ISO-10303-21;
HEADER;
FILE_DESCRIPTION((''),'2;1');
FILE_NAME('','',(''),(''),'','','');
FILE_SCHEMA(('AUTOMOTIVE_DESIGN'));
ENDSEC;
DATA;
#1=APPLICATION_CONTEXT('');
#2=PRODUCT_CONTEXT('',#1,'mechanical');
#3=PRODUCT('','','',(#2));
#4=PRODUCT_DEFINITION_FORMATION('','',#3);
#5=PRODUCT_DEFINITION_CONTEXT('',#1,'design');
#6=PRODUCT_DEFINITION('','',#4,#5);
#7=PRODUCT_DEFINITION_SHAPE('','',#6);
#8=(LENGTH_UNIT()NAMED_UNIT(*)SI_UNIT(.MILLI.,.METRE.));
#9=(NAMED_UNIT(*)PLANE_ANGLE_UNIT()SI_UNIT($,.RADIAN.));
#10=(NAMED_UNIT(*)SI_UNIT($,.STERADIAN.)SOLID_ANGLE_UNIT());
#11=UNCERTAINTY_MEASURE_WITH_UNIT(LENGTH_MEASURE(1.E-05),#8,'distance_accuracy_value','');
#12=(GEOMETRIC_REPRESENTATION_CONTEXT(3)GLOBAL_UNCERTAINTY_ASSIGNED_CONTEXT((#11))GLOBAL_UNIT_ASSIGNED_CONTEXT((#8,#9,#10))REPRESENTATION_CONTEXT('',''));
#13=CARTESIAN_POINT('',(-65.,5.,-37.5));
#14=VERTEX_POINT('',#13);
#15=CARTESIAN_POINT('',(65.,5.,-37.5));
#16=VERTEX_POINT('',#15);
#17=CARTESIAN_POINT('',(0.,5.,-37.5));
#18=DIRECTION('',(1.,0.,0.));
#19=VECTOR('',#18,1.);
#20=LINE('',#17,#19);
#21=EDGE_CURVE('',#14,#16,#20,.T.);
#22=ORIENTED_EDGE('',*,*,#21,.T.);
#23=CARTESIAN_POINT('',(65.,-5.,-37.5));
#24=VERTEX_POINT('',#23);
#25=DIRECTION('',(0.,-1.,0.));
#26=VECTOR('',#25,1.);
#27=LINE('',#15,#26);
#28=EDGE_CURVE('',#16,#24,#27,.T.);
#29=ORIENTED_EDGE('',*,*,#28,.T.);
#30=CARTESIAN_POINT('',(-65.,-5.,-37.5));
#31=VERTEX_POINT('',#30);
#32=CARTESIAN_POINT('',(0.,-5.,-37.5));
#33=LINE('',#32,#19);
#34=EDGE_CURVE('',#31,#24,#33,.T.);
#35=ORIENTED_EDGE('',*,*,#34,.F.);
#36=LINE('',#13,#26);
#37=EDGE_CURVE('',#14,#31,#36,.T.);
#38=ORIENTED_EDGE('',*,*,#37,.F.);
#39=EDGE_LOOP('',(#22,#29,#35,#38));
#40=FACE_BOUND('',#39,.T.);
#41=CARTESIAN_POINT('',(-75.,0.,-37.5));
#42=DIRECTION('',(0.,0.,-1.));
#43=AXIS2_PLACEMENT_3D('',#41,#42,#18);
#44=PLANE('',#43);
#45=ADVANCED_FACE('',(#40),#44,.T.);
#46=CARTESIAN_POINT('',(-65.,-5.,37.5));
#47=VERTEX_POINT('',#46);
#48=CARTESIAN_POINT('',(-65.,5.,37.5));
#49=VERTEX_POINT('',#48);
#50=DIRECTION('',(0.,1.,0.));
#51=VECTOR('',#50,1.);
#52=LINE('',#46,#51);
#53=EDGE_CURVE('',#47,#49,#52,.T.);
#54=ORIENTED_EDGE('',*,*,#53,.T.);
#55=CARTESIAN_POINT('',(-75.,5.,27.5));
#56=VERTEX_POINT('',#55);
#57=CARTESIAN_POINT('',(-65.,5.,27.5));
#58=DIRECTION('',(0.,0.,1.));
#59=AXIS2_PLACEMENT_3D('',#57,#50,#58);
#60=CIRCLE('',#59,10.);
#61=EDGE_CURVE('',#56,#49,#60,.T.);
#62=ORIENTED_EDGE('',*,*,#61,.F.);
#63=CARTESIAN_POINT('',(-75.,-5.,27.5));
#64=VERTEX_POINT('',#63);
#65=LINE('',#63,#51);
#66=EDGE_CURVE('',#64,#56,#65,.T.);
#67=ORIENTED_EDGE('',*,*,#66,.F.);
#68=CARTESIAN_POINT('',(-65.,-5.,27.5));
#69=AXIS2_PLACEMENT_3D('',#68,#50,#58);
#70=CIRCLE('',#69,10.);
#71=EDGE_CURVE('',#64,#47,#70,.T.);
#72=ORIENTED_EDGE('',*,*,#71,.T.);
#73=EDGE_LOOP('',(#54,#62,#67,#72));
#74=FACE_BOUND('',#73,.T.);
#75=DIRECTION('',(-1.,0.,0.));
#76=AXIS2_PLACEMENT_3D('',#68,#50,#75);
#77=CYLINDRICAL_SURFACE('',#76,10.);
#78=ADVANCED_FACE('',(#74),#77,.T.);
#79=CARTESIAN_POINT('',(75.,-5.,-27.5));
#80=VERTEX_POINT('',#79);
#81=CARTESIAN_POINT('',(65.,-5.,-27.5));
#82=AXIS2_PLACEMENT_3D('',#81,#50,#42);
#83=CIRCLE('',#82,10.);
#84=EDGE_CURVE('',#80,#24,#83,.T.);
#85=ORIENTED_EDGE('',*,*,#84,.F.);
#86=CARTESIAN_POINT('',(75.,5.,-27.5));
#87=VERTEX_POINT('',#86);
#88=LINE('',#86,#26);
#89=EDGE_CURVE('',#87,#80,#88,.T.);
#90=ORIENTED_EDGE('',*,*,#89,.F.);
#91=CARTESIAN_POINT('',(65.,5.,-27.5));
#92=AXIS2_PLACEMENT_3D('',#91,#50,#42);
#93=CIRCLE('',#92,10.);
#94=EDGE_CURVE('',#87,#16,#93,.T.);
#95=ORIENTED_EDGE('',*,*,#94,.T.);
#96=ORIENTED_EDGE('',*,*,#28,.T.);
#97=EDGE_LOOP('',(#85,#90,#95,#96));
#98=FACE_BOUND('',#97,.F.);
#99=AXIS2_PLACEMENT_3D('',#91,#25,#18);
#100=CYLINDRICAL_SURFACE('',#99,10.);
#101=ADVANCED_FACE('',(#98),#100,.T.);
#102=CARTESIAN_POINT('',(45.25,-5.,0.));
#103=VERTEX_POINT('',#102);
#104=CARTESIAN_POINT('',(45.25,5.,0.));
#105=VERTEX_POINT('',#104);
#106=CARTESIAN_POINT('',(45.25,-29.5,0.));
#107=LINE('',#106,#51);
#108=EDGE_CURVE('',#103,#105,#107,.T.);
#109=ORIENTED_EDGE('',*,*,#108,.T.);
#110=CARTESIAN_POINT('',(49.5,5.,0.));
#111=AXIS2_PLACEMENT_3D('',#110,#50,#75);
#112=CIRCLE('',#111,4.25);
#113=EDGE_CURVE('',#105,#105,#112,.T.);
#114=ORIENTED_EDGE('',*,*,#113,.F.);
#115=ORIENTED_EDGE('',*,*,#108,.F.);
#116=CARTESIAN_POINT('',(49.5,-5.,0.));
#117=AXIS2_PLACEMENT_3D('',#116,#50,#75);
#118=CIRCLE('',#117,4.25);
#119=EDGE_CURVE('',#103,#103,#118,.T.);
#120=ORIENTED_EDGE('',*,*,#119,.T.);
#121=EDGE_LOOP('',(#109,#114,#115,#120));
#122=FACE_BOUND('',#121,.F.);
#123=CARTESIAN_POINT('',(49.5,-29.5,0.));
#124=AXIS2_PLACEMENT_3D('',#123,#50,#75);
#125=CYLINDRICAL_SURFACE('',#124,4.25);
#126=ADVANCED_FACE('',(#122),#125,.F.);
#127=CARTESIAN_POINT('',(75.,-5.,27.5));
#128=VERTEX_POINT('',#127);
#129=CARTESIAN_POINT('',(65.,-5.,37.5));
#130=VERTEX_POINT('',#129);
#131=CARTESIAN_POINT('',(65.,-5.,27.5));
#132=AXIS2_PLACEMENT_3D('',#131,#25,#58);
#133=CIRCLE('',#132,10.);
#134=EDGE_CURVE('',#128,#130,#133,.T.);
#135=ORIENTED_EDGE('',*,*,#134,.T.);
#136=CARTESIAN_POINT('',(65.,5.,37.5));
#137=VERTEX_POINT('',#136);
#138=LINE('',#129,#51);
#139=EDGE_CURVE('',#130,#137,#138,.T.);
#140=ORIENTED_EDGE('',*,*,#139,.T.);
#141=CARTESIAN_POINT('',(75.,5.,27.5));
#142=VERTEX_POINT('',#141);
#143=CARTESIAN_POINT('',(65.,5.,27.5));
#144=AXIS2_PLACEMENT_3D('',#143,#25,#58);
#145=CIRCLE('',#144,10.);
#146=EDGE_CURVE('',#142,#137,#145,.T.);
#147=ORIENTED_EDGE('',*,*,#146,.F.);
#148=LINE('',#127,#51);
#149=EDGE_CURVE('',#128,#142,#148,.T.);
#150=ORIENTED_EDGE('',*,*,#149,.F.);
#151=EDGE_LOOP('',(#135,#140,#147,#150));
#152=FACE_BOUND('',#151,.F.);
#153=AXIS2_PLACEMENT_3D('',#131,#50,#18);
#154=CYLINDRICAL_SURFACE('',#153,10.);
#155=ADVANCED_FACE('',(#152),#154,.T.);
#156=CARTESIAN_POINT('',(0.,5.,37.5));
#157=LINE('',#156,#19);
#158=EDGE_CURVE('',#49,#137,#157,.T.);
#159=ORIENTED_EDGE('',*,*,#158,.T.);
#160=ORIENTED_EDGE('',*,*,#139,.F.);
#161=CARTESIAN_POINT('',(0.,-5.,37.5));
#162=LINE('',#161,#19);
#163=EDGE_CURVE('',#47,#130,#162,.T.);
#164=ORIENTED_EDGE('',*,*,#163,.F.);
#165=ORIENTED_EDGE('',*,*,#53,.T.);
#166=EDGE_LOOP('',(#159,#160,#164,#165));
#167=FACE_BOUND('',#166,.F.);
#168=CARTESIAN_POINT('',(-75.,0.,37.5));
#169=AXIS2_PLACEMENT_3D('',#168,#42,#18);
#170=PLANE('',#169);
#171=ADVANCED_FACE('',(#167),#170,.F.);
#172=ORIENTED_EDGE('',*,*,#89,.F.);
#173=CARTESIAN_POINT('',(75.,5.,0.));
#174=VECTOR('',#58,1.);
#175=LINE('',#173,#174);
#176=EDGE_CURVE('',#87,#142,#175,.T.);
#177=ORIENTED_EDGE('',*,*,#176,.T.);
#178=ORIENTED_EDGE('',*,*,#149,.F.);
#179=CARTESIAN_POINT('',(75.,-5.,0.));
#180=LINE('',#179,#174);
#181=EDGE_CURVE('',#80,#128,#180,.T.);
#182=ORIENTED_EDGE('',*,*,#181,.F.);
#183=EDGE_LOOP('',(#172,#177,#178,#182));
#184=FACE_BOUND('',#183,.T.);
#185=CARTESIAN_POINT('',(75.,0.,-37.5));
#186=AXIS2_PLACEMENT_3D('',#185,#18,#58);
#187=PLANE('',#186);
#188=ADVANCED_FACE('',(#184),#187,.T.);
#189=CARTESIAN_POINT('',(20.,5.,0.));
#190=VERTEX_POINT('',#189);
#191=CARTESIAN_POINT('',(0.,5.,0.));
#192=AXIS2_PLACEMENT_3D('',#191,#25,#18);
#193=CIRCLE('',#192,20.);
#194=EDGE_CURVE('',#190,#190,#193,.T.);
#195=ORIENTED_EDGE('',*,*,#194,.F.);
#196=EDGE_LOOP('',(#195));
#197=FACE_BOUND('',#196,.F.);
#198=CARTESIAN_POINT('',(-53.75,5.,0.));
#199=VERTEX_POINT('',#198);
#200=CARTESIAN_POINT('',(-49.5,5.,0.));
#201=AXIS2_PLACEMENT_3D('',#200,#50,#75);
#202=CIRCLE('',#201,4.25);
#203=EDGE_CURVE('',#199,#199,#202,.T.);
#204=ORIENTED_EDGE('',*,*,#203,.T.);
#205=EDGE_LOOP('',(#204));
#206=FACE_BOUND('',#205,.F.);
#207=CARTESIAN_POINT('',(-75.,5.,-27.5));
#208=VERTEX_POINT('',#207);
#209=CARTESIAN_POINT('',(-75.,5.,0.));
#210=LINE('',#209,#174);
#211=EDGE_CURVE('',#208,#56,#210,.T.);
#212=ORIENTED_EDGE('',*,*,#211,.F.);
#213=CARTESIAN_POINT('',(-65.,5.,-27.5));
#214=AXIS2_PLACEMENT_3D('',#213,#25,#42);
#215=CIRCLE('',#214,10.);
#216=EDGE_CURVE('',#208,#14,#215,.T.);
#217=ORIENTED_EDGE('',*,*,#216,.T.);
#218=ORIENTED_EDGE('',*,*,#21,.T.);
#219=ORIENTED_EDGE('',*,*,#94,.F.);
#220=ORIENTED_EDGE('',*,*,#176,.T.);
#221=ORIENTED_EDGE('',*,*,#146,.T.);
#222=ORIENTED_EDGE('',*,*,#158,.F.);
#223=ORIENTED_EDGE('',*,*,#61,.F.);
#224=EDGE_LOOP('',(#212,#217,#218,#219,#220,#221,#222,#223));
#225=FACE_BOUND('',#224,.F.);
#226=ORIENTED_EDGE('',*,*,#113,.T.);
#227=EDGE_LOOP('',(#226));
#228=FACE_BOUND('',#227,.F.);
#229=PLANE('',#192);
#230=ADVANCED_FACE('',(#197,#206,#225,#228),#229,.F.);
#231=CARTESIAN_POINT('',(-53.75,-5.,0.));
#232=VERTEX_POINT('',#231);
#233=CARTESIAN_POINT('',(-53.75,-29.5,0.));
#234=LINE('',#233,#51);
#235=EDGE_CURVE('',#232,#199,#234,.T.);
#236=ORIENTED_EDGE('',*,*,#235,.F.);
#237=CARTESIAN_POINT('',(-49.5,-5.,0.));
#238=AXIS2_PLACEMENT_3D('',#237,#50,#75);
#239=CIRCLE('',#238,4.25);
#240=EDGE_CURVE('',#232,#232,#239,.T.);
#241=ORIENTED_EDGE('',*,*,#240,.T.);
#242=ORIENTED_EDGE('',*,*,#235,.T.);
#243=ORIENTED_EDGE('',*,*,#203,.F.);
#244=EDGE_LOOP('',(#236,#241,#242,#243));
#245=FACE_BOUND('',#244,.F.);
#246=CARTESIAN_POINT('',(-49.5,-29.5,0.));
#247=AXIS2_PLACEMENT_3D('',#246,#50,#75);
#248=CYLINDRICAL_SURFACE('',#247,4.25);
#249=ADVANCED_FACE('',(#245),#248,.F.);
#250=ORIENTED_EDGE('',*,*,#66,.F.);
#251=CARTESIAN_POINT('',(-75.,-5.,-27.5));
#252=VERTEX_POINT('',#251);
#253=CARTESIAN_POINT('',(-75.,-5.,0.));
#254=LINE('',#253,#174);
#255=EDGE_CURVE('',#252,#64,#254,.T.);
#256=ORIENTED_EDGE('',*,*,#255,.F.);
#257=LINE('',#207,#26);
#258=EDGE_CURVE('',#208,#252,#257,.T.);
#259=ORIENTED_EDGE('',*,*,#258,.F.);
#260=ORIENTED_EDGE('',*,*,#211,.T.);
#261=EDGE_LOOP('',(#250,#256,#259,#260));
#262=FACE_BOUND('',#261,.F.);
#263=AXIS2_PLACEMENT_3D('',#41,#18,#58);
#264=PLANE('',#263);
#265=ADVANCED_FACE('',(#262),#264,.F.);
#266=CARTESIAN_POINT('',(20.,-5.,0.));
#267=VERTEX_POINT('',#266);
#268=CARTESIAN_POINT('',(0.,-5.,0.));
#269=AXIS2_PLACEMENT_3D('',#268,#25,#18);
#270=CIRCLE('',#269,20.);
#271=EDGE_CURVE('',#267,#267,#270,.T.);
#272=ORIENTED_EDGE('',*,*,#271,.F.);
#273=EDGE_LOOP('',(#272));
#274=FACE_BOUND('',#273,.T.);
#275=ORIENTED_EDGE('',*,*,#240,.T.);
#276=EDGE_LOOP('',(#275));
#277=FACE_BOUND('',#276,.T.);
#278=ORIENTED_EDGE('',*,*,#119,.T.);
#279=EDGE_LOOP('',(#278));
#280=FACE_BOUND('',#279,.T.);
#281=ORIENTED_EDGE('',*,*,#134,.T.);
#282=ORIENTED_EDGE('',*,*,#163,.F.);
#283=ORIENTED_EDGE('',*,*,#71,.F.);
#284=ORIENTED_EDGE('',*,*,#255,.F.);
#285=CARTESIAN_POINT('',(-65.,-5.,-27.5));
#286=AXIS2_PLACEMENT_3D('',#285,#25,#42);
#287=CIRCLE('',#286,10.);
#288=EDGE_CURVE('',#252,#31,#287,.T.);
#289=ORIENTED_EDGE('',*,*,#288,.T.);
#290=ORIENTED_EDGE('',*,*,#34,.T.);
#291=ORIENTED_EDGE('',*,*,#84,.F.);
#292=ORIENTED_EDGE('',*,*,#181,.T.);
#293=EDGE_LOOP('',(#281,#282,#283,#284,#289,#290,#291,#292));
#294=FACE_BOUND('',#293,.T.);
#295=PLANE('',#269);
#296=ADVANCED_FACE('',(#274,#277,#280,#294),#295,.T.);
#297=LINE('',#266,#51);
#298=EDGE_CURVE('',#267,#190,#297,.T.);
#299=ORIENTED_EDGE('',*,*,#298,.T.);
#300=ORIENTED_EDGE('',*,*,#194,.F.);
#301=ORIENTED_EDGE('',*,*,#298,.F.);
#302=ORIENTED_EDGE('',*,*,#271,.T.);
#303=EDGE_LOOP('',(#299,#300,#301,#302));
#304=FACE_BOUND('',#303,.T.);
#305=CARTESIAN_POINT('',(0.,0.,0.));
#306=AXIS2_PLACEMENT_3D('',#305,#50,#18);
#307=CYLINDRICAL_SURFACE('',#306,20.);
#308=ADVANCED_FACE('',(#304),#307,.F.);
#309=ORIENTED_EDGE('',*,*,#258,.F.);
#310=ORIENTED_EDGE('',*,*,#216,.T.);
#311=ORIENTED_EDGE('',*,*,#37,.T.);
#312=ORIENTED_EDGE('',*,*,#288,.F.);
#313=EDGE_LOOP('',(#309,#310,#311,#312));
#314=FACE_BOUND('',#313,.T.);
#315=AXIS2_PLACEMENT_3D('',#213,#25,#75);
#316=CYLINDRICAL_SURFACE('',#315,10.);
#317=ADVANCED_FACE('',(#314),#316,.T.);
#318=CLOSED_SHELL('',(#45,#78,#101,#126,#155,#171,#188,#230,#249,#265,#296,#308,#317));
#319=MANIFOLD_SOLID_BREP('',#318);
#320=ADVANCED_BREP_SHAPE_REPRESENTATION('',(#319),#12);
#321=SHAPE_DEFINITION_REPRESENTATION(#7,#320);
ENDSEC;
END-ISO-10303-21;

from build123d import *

# Parameters (mm, degrees)
F0_W     = 150
F0_H     = 75
F0_R     = 20
F1_DEPTH = 5
F2_R     = 10
F4_D     = 8.5
F4_DEPTH = 24.5
F4_TIP   = 2.5536576309


with BuildPart() as f1:
    # F0 (on Front) → F1 (new body, symmetric)
    with BuildSketch(Plane.XZ):
        Rectangle(F0_W, F0_H)
        Circle(F0_R, mode=Mode.SUBTRACT)
    extrude(amount=F1_DEPTH, both=True)

    # F2
    f2_edges = [f1.edges().sort_by_distance(p)[0] for p in [
        (-75, 0, 37.5),
        (75, 0, 37.5),
        (75, 0, -37.5),
        (-75, 0, -37.5),
    ]]
    fillet(f2_edges, radius=F2_R)

    # F4
    with Locations(Plane.XZ.offset(5)):
        with Locations((-49.5, 0), (49.5, 0)):
            Hole(F4_D / 2, depth=F4_DEPTH)
            with Locations((0, 0, -(F4_DEPTH + F4_TIP / 2))):  # 118° drill point
                Cone(0, F4_D / 2, F4_TIP, mode=Mode.SUBTRACT)


solid = f1.part
